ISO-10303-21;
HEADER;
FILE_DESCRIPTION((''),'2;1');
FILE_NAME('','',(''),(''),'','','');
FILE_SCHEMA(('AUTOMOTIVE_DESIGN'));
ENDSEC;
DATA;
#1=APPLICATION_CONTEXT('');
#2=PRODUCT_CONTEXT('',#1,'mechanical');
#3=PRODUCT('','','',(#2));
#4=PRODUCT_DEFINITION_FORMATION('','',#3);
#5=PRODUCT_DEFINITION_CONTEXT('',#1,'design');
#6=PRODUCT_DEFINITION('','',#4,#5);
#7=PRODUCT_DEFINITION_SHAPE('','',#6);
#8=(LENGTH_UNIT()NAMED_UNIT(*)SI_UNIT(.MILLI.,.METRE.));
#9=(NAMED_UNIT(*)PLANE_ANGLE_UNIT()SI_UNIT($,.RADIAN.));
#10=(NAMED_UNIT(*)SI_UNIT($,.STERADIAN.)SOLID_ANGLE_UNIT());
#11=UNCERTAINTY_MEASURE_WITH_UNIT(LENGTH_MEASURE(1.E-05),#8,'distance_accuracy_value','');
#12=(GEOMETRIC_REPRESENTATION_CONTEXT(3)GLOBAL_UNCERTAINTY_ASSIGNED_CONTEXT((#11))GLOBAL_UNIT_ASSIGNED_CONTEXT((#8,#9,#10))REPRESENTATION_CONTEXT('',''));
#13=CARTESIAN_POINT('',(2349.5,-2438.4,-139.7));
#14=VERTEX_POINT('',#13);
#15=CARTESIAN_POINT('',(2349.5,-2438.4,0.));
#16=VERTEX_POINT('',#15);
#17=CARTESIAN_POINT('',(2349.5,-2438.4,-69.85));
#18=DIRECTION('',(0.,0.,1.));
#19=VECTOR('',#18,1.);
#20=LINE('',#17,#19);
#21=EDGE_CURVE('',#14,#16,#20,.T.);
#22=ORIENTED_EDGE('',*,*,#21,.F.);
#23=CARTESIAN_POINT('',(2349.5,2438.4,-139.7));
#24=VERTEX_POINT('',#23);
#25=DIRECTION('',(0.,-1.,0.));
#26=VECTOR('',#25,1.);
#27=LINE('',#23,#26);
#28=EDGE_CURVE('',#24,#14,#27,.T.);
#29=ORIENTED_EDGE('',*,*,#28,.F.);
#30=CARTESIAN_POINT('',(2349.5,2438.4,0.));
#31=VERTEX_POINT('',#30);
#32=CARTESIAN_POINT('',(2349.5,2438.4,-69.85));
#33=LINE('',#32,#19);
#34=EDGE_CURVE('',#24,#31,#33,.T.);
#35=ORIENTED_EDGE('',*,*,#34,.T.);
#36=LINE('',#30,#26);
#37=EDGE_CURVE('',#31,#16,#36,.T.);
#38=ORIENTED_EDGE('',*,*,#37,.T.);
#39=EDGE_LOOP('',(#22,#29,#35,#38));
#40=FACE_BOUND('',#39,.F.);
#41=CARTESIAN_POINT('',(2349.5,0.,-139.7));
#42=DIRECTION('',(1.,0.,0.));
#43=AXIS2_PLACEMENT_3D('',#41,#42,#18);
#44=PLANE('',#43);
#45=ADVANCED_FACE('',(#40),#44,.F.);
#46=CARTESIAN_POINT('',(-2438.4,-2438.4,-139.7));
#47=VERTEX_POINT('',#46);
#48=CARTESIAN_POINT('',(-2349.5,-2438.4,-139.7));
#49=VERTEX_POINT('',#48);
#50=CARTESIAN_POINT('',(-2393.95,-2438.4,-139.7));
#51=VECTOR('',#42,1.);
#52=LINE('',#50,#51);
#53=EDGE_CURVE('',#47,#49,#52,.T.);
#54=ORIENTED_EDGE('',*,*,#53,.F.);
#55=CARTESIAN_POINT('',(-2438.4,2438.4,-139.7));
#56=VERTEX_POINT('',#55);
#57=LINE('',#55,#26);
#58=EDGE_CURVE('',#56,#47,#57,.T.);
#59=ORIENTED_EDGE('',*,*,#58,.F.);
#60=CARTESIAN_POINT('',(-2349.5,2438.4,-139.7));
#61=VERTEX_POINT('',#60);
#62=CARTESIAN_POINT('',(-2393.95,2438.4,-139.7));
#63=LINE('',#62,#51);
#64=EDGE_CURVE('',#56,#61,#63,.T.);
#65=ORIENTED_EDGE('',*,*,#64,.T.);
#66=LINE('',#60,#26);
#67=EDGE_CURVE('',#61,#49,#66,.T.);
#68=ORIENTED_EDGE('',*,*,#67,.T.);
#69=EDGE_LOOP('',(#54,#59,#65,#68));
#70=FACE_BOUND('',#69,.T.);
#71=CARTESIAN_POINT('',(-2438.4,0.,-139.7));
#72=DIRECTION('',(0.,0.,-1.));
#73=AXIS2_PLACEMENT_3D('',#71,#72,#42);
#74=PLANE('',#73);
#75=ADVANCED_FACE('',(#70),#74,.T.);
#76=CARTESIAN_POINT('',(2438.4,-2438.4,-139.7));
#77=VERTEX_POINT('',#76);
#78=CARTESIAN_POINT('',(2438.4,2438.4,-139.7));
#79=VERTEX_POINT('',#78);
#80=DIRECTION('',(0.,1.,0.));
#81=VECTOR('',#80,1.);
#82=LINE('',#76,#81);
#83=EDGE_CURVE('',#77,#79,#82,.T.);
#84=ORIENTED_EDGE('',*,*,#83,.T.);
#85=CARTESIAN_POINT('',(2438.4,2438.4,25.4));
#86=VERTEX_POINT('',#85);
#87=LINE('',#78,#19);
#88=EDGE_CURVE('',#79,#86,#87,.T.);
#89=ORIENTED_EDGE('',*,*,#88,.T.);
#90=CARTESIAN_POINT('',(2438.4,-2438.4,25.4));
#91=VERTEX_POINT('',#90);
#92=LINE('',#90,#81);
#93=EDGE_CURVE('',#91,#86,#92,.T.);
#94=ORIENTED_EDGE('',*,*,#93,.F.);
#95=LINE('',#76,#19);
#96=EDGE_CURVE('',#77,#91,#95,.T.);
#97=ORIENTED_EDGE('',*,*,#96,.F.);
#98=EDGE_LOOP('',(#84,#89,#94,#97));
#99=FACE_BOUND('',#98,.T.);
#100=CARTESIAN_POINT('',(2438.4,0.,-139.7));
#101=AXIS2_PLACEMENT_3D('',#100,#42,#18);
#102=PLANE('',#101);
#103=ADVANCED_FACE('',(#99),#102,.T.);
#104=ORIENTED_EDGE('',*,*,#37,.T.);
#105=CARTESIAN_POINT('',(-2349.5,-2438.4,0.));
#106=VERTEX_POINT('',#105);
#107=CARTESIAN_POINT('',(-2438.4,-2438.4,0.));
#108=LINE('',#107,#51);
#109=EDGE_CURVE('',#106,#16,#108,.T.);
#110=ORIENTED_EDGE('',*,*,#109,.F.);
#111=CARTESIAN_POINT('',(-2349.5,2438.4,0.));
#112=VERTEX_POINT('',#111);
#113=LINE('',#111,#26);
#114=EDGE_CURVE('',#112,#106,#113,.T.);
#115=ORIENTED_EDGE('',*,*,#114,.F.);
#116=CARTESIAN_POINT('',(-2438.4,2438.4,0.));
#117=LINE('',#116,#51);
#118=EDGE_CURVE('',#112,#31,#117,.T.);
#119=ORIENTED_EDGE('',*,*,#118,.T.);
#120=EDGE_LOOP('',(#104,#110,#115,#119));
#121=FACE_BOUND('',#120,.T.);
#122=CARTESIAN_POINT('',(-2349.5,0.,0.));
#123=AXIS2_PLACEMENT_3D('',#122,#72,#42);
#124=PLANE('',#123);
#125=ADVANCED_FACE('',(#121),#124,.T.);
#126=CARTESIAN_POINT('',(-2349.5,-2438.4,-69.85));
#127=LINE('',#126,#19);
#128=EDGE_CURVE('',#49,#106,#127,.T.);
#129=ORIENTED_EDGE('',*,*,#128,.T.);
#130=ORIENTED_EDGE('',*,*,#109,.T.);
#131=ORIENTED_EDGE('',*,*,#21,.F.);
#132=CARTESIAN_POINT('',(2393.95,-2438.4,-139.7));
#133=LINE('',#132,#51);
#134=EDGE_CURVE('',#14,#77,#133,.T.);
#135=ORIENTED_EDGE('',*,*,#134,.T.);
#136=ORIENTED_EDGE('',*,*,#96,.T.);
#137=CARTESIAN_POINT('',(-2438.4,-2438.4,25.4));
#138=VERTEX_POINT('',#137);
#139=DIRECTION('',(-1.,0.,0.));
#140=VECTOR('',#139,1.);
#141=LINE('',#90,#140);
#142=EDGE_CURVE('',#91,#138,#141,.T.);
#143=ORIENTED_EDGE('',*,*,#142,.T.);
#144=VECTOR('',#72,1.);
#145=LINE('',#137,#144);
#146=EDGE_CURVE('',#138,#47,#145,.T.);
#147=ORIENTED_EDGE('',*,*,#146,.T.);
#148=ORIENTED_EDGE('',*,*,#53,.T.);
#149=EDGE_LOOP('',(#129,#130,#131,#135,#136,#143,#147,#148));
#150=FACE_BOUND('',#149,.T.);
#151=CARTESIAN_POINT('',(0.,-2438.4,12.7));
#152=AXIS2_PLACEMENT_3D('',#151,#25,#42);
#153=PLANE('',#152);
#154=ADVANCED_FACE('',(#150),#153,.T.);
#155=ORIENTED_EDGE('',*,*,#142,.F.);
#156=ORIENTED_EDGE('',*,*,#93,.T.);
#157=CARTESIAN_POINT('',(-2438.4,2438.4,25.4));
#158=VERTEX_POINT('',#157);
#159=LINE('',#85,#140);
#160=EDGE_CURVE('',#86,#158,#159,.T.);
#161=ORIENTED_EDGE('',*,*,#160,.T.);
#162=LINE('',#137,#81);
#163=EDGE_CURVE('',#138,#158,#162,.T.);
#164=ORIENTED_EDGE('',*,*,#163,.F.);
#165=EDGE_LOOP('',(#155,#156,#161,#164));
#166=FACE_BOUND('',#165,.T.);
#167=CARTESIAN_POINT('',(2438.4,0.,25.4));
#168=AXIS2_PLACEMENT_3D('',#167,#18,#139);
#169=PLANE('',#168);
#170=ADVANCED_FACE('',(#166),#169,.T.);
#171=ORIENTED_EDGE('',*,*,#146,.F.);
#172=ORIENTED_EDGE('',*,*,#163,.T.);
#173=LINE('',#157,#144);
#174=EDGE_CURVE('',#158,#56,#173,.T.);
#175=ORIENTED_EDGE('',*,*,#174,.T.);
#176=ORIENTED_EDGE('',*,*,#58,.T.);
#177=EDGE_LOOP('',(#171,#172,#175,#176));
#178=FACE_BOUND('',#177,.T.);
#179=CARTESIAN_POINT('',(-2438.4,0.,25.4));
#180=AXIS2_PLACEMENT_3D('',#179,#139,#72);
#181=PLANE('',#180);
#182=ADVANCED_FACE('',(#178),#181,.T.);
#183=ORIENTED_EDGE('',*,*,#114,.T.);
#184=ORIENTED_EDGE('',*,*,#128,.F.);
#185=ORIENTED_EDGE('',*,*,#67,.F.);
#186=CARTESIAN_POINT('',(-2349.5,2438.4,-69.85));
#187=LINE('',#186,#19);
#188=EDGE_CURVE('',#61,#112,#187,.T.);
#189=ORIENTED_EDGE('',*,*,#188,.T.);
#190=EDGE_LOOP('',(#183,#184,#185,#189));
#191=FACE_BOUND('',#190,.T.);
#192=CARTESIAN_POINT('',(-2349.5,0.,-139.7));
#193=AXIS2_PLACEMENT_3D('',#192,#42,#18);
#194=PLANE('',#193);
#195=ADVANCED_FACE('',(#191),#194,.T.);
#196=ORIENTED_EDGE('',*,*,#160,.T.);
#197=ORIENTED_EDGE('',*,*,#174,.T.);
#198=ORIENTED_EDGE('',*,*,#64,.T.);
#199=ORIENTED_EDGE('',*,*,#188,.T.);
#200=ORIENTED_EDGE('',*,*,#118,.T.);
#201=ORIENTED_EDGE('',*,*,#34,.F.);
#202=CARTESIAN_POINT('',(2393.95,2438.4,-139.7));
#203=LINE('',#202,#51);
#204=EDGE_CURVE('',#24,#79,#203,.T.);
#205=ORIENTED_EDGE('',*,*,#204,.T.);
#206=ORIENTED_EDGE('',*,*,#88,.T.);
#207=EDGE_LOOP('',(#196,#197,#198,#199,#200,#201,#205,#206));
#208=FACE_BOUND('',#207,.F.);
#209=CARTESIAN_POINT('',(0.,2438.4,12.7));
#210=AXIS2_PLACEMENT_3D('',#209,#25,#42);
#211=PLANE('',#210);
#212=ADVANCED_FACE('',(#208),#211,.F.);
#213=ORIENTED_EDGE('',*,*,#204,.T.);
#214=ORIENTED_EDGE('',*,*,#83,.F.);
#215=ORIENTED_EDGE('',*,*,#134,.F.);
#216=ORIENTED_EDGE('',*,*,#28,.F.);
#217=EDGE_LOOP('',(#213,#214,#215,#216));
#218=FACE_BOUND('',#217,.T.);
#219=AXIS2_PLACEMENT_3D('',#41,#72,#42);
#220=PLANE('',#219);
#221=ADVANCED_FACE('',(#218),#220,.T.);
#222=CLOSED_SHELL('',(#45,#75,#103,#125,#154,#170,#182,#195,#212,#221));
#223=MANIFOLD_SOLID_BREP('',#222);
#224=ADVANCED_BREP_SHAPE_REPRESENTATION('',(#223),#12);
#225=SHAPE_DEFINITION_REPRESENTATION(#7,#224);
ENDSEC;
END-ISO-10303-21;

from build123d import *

# Parameters (mm, degrees)
F0_W     = 88.9
F0_H     = 139.7
F1_DEPTH = 2438.4


with BuildPart() as f1:
    # F0 (on Front) → F1 (new body, symmetric)
    with BuildSketch(Plane.XZ):
        Polygon((-2438.4, 25.4), (-2438.4, 0), (-2349.5, 0), (2349.5, 0), (2438.4, 0), (2438.4, 25.4), align=None)
        with Locations((-2393.95, -69.85)):
            Rectangle(F0_W, F0_H)
        with Locations((2393.95, -69.85)):
            Rectangle(F0_W, F0_H)
    extrude(amount=F1_DEPTH, both=True)


solid = f1.part
